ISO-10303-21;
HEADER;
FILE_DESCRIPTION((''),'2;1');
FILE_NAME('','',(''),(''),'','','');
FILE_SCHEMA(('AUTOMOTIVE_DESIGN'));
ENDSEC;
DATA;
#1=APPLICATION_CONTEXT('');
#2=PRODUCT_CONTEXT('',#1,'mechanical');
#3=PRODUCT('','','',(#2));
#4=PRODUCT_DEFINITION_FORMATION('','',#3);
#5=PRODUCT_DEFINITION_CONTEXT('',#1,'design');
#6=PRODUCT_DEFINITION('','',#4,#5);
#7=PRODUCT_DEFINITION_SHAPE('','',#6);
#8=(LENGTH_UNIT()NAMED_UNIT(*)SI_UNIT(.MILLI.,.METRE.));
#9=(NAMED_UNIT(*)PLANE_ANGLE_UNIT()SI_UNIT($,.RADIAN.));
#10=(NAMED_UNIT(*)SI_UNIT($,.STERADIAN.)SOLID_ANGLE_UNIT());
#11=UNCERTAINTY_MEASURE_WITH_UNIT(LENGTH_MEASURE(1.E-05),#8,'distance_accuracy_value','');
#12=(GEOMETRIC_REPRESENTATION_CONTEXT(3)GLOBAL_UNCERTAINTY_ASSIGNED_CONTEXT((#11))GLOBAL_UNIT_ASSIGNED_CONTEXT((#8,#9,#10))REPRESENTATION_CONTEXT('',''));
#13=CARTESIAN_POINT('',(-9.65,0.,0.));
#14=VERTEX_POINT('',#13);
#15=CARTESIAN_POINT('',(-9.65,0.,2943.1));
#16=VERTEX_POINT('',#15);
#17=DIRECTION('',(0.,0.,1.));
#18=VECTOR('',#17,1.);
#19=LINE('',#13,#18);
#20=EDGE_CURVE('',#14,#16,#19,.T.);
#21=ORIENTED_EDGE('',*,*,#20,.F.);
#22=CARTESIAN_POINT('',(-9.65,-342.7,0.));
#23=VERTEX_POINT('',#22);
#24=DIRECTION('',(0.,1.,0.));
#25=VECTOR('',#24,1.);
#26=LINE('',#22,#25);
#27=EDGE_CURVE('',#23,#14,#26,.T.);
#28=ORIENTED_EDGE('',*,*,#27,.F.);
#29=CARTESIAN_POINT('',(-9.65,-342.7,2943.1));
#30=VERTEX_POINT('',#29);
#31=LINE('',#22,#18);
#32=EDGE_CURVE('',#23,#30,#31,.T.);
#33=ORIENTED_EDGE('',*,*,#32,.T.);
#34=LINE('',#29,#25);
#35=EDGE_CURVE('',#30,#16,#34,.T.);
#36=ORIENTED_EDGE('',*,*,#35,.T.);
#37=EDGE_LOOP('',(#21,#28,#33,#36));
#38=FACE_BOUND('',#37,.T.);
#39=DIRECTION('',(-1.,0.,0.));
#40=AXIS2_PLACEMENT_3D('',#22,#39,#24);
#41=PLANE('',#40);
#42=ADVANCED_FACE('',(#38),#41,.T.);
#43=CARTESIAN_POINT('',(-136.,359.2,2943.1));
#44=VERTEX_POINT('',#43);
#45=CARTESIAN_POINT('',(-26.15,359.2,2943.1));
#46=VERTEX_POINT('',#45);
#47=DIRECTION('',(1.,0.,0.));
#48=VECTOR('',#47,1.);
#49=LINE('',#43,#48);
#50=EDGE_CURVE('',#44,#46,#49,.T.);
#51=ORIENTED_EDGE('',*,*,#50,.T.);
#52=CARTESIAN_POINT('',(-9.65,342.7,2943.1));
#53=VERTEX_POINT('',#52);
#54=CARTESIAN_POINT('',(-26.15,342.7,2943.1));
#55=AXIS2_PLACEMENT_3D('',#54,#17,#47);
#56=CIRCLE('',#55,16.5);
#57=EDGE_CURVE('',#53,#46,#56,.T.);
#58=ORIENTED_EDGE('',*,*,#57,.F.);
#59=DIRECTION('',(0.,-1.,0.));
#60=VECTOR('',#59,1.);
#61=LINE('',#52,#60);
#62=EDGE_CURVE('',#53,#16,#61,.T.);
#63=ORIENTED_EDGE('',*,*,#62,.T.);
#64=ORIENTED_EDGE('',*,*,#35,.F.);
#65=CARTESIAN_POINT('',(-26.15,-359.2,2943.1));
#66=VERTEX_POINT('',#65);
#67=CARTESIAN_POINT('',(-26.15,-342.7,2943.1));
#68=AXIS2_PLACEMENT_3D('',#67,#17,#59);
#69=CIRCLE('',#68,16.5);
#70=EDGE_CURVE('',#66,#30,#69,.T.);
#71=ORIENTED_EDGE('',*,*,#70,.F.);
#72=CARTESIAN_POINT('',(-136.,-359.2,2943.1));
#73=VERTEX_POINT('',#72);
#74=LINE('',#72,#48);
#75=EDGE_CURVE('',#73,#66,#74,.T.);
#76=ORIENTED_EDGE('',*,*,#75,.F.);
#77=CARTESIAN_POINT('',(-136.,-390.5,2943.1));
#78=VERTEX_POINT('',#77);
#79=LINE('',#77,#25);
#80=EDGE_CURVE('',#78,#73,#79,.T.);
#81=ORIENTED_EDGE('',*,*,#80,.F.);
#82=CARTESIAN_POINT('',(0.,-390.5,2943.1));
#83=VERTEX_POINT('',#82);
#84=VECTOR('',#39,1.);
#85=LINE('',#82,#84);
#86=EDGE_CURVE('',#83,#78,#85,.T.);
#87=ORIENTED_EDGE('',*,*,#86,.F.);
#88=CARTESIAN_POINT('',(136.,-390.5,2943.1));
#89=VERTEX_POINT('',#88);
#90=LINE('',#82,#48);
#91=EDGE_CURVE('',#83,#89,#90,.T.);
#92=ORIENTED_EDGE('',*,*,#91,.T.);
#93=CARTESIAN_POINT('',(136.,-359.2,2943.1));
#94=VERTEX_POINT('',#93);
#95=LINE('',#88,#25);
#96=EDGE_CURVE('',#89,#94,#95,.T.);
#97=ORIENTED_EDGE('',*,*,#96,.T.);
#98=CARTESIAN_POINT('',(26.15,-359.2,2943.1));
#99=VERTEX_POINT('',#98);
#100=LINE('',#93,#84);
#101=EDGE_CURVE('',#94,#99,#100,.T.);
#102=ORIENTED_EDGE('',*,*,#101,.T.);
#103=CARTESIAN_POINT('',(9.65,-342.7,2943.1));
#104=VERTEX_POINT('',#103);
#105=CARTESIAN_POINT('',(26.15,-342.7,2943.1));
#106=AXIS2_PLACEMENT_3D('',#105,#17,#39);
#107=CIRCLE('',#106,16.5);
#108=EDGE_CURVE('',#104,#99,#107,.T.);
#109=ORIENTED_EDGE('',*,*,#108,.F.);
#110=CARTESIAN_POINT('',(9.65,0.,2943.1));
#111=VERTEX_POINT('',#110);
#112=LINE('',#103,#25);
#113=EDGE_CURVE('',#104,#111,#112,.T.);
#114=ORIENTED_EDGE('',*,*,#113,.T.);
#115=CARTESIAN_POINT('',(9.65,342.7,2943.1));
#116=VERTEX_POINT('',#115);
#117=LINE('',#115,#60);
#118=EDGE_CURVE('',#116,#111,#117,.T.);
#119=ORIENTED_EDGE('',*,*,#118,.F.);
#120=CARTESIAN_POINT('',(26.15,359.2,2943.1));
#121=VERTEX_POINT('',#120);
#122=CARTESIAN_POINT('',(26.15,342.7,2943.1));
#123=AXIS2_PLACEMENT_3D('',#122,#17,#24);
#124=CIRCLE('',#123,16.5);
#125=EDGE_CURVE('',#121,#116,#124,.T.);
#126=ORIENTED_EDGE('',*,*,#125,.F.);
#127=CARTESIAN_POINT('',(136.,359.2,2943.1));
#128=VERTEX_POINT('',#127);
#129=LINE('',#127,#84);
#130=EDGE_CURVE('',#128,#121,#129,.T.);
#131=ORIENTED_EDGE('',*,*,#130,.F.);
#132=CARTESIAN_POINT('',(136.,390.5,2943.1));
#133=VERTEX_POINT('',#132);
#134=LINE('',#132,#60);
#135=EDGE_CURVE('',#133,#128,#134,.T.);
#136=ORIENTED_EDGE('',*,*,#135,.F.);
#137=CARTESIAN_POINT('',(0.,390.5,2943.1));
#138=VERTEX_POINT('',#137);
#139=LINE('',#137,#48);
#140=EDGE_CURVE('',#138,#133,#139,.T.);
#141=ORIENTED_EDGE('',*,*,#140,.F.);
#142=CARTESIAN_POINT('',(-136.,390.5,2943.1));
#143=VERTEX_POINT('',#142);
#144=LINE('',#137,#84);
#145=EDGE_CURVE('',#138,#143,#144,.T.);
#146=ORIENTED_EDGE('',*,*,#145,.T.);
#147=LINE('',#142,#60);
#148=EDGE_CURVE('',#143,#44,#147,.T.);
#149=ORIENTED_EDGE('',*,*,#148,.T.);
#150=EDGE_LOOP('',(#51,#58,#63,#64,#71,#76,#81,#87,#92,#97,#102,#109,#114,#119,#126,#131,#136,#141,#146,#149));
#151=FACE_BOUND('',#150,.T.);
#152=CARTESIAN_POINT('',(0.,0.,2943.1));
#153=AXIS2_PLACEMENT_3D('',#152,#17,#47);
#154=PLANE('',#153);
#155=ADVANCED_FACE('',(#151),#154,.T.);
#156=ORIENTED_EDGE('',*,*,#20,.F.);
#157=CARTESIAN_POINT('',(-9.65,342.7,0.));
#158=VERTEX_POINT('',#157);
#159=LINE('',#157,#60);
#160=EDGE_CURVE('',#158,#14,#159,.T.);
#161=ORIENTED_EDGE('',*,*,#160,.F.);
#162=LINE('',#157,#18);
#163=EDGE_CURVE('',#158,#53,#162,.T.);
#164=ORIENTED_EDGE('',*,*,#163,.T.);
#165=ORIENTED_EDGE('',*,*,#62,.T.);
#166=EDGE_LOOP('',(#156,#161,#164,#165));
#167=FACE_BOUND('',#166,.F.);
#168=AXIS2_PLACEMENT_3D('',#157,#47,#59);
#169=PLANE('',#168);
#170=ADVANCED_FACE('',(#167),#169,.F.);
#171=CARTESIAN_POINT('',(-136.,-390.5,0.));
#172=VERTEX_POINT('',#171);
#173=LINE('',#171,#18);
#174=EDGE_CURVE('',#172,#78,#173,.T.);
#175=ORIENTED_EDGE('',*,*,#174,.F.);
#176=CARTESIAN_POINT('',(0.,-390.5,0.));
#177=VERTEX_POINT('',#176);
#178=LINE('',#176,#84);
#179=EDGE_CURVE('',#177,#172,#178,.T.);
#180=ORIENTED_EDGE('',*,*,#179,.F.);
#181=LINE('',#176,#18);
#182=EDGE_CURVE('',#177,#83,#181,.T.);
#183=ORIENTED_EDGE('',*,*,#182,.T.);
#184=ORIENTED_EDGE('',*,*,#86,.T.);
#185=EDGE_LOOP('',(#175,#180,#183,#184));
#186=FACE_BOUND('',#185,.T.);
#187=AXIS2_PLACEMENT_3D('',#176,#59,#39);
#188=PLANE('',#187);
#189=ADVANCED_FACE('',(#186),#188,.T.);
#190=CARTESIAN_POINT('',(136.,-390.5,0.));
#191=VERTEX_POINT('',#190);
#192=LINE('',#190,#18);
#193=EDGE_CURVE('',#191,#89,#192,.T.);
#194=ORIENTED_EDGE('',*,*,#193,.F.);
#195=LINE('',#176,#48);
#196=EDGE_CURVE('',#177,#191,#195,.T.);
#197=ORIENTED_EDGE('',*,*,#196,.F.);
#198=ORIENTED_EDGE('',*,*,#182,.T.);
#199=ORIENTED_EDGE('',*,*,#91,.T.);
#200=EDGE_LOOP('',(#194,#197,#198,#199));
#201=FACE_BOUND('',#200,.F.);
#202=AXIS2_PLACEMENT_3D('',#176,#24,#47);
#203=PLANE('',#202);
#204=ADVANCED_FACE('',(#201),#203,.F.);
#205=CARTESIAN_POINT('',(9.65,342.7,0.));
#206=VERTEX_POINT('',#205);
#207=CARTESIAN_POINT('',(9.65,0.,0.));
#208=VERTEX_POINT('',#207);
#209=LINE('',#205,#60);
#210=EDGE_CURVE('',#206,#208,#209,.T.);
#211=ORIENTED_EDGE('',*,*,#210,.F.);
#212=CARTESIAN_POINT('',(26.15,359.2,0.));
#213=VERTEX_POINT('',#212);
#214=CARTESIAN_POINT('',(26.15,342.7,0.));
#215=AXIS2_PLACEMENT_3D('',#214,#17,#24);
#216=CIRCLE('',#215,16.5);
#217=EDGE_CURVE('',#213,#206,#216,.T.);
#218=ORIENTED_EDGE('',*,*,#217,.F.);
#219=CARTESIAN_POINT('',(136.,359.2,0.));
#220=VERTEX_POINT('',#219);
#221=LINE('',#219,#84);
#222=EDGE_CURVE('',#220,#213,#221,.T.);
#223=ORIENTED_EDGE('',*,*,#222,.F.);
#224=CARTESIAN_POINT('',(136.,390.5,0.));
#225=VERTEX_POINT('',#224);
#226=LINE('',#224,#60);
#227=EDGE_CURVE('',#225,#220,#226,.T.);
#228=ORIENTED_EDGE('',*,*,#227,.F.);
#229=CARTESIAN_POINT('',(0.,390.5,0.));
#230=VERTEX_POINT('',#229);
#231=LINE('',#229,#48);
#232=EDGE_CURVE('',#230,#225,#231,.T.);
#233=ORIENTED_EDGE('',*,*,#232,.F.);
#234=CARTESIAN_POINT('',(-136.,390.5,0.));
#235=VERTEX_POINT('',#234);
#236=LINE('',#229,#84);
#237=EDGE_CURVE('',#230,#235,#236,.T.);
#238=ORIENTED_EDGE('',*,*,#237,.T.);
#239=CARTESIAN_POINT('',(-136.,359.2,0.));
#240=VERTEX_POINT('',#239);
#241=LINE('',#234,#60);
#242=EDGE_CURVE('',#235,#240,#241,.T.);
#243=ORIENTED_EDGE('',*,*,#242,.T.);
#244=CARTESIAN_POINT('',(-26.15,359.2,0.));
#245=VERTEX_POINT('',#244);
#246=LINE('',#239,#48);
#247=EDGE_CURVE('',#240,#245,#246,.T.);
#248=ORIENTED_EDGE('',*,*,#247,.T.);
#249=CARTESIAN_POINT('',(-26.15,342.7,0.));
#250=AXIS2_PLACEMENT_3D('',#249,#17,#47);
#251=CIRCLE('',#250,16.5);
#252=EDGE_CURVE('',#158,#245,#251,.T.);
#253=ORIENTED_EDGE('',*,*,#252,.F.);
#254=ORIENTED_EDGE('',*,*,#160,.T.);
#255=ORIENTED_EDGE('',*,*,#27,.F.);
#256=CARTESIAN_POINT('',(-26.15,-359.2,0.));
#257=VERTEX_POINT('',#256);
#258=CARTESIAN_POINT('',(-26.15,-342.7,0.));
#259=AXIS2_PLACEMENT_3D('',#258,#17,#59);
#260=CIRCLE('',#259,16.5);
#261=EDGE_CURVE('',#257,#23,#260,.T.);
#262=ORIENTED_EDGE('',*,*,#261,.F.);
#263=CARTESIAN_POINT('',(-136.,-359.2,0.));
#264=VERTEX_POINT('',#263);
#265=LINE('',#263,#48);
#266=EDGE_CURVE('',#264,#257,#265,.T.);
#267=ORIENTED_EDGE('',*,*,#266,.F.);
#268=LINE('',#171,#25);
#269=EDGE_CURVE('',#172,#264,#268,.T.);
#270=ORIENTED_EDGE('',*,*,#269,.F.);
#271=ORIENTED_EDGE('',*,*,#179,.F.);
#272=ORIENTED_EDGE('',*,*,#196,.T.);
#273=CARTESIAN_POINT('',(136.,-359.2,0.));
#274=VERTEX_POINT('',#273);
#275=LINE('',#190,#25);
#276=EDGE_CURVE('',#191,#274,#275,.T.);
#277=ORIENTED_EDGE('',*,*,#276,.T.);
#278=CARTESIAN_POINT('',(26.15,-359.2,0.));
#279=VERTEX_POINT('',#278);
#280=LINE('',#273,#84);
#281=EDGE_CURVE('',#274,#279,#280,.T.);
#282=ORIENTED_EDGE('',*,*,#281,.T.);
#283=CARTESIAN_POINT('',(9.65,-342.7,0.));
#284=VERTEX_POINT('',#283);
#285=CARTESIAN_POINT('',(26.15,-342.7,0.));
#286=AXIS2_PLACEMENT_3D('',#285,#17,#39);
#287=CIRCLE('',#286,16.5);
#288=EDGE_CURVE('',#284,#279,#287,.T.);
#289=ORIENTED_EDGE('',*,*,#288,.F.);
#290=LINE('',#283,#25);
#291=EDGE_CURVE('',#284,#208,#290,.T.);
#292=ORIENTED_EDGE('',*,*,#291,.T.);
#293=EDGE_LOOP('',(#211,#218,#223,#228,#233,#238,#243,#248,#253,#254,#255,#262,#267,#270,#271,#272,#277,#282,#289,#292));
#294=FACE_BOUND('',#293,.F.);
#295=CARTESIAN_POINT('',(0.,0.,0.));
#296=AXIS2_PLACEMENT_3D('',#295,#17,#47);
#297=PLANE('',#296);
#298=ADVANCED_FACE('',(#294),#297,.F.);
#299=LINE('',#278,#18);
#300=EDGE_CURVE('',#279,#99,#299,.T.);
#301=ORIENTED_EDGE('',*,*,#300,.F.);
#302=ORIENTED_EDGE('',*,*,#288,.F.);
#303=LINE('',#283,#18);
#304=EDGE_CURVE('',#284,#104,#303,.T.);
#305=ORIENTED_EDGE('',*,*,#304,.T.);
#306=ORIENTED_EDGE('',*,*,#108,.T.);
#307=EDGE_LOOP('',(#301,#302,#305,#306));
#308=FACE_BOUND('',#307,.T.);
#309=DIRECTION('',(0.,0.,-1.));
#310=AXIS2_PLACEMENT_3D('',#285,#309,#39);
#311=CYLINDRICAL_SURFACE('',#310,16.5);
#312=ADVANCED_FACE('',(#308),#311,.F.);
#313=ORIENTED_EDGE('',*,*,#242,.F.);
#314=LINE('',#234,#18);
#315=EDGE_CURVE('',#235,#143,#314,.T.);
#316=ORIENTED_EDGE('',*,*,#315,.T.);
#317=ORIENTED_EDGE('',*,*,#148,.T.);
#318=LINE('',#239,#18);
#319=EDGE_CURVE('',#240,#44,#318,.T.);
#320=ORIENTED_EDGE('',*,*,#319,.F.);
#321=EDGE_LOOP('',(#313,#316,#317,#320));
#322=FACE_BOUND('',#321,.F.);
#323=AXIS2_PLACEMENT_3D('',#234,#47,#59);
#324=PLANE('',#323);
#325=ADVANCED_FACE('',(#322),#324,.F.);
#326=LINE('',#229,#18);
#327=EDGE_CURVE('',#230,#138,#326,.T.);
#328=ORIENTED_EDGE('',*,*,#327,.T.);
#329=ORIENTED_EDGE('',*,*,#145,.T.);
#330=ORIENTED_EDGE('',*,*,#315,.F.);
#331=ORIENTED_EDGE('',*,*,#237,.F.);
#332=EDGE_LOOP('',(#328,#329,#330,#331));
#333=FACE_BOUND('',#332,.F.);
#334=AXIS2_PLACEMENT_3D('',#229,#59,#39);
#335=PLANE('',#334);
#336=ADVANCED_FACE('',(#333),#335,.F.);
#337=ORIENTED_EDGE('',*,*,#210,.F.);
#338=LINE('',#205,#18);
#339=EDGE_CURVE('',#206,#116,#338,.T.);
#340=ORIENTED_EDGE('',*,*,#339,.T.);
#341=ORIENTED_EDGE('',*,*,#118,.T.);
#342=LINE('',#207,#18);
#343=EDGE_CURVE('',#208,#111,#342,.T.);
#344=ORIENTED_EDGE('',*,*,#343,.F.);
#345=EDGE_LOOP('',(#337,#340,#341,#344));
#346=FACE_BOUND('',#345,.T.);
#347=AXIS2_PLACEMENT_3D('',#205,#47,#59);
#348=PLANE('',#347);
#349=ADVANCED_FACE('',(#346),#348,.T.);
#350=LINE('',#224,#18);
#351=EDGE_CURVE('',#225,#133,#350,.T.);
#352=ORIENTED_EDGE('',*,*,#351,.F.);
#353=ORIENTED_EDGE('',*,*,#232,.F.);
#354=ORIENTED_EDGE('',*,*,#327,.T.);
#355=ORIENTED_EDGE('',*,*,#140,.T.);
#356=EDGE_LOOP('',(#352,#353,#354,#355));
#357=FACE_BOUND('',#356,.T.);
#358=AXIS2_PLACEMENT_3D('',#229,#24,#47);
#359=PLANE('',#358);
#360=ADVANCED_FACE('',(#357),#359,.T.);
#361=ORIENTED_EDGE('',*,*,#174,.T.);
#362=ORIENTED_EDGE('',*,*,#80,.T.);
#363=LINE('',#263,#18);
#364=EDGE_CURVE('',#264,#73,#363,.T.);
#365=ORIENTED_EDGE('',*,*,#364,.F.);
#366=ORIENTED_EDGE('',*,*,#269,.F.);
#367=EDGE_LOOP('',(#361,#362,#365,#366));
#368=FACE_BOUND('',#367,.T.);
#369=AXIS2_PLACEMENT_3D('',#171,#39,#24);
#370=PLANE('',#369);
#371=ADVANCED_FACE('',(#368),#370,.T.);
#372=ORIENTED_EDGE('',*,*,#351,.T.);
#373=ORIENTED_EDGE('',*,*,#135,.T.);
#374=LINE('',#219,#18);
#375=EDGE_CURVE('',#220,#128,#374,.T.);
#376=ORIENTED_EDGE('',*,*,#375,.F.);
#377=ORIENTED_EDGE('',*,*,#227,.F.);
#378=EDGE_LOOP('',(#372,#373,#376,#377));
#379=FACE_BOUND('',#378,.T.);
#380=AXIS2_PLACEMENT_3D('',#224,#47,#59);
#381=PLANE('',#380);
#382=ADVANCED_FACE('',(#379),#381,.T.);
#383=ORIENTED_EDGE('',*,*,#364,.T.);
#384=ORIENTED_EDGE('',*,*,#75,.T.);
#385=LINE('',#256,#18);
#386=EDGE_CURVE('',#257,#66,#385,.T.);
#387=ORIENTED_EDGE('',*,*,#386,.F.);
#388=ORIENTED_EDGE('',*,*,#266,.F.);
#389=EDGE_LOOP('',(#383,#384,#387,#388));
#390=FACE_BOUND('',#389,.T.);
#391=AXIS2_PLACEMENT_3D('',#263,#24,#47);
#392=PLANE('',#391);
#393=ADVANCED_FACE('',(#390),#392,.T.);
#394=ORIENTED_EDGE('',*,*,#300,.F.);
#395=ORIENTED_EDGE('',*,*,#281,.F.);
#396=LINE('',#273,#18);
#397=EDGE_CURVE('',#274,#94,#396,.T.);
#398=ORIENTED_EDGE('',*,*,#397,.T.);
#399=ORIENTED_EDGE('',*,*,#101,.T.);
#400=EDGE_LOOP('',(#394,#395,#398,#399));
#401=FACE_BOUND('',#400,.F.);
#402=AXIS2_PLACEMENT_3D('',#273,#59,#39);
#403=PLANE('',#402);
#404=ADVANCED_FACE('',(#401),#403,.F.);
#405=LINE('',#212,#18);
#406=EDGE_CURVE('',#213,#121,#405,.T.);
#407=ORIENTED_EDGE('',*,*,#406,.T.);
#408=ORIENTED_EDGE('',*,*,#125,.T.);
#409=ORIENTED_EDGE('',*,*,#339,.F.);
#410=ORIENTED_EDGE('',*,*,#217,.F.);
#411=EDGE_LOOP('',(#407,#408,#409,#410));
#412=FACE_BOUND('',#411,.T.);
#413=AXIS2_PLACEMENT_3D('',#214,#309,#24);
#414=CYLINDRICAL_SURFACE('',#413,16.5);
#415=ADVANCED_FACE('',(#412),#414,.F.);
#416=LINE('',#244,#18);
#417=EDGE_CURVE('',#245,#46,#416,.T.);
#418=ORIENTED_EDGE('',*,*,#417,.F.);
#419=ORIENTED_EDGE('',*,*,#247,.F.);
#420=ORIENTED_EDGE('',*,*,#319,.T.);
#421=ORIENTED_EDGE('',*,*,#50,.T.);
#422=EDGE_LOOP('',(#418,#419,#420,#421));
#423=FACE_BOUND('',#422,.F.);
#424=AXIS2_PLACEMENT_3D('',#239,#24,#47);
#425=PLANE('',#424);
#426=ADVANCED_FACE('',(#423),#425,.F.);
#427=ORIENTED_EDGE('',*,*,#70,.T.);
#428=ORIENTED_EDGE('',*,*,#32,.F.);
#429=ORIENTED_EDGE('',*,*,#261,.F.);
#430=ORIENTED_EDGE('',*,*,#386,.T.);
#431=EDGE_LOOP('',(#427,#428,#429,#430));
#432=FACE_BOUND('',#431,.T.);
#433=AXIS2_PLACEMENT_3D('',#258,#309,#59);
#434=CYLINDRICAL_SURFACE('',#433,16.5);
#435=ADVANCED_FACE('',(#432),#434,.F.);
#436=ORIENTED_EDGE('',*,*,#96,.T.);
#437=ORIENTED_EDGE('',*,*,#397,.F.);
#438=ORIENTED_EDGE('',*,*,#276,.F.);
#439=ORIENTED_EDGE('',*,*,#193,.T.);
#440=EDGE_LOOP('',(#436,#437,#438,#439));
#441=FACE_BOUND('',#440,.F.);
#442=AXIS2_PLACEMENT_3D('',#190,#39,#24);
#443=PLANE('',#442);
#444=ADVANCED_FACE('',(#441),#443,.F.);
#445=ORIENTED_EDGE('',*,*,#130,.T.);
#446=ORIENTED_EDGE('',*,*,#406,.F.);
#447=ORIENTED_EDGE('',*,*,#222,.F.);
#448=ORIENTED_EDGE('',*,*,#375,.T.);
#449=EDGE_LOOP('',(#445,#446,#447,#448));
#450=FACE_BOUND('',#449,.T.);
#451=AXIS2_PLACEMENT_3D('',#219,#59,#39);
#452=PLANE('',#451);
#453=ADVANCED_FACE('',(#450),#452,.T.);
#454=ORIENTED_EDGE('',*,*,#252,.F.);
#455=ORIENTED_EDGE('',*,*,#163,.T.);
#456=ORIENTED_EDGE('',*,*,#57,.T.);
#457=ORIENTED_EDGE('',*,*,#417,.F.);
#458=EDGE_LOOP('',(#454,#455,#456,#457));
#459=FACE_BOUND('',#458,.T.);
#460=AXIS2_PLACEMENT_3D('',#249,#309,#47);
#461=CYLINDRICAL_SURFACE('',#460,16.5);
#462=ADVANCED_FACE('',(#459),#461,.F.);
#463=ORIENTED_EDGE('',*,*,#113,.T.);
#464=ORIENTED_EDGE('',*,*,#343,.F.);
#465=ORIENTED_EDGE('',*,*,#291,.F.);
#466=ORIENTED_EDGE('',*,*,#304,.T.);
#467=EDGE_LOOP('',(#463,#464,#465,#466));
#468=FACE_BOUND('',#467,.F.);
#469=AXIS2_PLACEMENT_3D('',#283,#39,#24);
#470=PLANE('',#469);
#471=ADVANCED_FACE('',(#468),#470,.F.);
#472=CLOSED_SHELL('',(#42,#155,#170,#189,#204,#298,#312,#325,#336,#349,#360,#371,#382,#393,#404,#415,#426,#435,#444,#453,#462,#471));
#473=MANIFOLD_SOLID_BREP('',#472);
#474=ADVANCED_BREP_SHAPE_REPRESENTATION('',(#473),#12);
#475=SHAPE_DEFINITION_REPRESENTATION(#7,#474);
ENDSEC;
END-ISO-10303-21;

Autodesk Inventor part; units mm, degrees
ref_plane "YZ Plane" through (0, 0, 0) normal (1, 0, 0) x (0, 1, 0)
ref_plane "Start plane" through (0, 0, 0) normal (0, 0, 1) x (1, 0, 0)
ref_plane "End plane" through (0, 0, 2943.1) normal (0, 0, 1) x (1, 0, 0)
sketch "Sketch" plane through (0, 0, 0) normal (0, 0, 1) x (1, 0, 0)
  line L0 (-136, -390.5) -> (-136, -359.2)
  line L1 (-136, -359.2) -> (-26.15, -359.2)
  line L2 (-9.65, -342.7) -> (-9.65, 0)
  line L3 (-9.65, 0) -> (0, 0) construction
  line L4 (0, 0) -> (0, -390.5) construction
  line L5 (0, -390.5) -> (-136, -390.5)
  line L6 (-60, 0) -> (80, 0) construction
  line L7 (0, -60) -> (0, 80) construction
  line L8 (136, -390.5) -> (136, -359.2)
  line L9 (136, -359.2) -> (26.15, -359.2)
  line L10 (9.65, -342.7) -> (9.65, 0)
  line L11 (9.65, 0) -> (0, 0) construction
  line L12 (0, -390.5) -> (136, -390.5)
  line L13 (-136, 390.5) -> (-136, 359.2)
  line L14 (-136, 359.2) -> (-26.15, 359.2)
  line L15 (-9.65, 342.7) -> (-9.65, 0)
  line L16 (0, 390.5) -> (-136, 390.5)
  line L17 (136, 390.5) -> (136, 359.2)
  line L18 (136, 359.2) -> (26.15, 359.2)
  line L19 (0, 390.5) -> (136, 390.5)
  line L20 (9.65, 342.7) -> (9.65, 0)
  arc A0 (-9.65, 342.7) -> (-26.15, 359.2) centre (-26.15, 342.7) ccw
  arc A1 (26.15, 359.2) -> (9.65, 342.7) centre (26.15, 342.7) ccw
  arc A2 (9.65, -342.7) -> (26.15, -359.2) centre (26.15, -342.7) ccw
  arc A3 (-26.15, -359.2) -> (-9.65, -342.7) centre (-26.15, -342.7) ccw
  line L21 (0, 108) -> (0, -88) construction
  line L22 (-88, 0) -> (108, 0) construction
  point P0 (-9.65, -359.2)
  point P1 (9.65, -359.2)
  point P2 (-9.65, 359.2)
  point P3 (9.65, 359.2)
  dimension "d1" = 390.5
  dimension "d2" = 31.3
  dimension "d3" = 136
  dimension "d4" = 9.65
  dimension "d10" = 16.5
extrude "Body" add sketch "Sketch" along normal up to surface (2943.1 mm away) from surface at 0
sketch "Sketch4" plane through (0, 0, 0) normal (0, 0, 1) x (1, 0, 0)
  line L0 (0, 0) -> (10, 0)
ref_plane "Work Plane3" through (0, 0, 0) normal (0, -1, 0) x (1, 0, 0)
sketch "Sketch5" plane through (0, 0, 0) normal (0, -1, 0) x (1, 0, 0)
  line L0 (-2, 0) -> (12, 0) projected
  line L1 (-2, 2943.1) -> (12, 2943.1) projected
  dimension "d14" = 2943.1
equation "\"d1\" = 0.5 * G_H"
equation "\"d2\" = G_T1"
equation "\"d3\" = 0.5 * G_W"
equation "\"d4\" = 0.5 * G_T"
equation "\"d10\" = G_IR"
equation "\"d5\" = G_L"
equation "\"G_W\" = 272"
equation "\"G_H\" = 781"
equation "\"G_T\" = 19.3"
equation "\"G_T1\" = 31.3"
equation "\"G_IR\" = 16.5"
equation "\"G_L\" = d14"
equation "\"G_OFFSET_START\" = 0"
equation "\"G_OFFSET_END\" = 0"
equation "\"d12\" = G_OFFSET_END + B_L"
equation "\"B_L\" = 2943.1"
properties part number "AS 3679-1990 - 760 UB - 244 - 2943.1" material "Steel, Mild"
